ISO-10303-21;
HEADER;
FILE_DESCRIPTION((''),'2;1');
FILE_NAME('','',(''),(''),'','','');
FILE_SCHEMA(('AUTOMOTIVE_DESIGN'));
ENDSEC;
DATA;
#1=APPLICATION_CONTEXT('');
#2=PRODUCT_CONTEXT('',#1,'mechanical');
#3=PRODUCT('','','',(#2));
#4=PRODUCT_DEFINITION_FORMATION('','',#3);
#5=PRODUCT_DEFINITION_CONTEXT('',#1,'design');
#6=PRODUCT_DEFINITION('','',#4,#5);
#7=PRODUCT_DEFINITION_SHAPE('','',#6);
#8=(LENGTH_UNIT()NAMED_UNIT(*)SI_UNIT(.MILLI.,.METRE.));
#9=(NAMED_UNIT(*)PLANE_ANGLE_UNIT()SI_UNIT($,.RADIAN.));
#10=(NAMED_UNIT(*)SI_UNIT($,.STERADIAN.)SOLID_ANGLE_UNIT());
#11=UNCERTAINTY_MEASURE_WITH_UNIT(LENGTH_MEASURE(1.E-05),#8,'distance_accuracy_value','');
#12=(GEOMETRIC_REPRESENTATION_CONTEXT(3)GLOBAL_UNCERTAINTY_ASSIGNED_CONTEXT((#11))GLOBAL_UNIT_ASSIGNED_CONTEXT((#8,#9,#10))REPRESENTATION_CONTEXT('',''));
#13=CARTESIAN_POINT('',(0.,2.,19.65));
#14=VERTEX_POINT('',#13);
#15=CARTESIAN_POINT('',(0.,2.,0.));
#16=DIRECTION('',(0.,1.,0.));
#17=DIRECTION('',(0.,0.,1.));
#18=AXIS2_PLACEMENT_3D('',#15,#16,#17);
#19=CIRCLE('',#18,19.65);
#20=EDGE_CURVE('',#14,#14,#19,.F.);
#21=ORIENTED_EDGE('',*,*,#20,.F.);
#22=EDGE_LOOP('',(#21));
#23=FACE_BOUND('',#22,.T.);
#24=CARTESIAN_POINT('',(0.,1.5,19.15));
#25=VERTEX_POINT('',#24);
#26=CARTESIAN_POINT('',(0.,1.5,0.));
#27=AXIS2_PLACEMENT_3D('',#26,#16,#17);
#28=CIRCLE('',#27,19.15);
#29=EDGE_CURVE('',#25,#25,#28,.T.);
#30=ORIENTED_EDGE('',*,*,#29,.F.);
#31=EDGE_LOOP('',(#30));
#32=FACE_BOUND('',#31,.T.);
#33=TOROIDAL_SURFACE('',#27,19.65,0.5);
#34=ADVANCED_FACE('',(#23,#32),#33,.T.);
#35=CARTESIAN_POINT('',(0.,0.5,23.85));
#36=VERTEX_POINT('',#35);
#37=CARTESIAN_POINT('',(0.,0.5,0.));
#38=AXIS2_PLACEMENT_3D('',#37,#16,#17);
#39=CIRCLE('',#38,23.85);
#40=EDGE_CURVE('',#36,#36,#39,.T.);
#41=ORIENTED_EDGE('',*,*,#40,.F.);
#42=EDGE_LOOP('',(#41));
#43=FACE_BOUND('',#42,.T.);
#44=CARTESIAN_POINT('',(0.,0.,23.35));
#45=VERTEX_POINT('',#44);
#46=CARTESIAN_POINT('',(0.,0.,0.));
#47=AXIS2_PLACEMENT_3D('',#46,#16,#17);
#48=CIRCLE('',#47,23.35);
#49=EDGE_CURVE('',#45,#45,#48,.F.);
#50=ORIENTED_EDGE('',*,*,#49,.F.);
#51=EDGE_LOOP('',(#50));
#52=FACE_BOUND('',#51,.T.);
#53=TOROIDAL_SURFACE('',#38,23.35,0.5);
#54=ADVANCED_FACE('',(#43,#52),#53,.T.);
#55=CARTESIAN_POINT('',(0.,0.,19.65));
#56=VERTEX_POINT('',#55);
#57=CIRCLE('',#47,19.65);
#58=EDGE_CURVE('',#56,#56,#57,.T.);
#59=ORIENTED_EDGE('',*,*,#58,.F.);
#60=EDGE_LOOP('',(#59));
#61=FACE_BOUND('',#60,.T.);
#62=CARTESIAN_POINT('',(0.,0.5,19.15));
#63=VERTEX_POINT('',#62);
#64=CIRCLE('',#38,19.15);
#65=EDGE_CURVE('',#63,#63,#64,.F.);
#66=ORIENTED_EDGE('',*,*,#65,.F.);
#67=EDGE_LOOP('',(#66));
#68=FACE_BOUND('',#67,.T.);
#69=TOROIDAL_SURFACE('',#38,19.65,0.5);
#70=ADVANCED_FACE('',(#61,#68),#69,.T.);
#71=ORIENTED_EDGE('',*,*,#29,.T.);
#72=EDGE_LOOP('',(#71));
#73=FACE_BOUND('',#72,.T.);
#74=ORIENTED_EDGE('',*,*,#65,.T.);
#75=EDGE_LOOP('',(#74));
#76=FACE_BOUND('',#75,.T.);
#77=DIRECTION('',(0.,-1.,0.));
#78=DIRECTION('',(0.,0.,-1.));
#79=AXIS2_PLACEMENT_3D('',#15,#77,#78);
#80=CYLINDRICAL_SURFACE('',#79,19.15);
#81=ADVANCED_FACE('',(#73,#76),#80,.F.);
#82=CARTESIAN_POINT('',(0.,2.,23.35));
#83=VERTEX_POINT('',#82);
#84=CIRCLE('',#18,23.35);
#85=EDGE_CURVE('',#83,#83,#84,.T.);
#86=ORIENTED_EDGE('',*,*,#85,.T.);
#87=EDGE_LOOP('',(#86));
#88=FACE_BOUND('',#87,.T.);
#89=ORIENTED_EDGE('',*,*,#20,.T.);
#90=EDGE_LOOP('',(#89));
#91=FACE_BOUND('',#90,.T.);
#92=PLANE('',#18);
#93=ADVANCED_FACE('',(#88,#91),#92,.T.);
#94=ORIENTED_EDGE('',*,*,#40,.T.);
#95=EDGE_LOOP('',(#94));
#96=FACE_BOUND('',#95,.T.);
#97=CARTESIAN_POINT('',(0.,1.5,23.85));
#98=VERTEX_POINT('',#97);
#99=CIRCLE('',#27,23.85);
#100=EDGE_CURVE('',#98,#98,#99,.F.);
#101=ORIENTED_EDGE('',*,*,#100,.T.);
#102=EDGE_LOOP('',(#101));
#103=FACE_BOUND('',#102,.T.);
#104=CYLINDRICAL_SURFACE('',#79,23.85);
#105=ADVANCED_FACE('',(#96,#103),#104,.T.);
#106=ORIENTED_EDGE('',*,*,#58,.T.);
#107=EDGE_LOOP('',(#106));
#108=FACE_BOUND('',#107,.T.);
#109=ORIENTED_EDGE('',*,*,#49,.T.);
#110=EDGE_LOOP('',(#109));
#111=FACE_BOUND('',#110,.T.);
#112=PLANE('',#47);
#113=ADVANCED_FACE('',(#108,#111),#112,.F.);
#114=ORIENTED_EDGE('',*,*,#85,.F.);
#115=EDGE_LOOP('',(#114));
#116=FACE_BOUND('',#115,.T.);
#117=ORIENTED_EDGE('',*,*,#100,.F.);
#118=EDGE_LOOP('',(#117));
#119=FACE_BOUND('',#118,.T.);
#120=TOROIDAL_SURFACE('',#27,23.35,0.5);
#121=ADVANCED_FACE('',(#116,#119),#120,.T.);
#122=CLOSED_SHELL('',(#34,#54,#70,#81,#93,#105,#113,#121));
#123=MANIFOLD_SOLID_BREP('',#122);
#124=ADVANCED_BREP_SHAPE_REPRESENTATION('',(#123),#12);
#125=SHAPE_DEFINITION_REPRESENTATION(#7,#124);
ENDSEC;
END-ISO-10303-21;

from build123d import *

# Parameters (mm, degrees)
SKETCH1_R           = 23.85
SKETCH1_R_2         = 19.15
BOSS_EXTRUDE1_DEPTH = 2
FILLET1_R           = 0.5


with BuildPart() as part:
    # Sketch1 → Boss-Extrude1 (new body)
    with BuildSketch(Plane(origin=(0, 0, 0), x_dir=(1, 0, 0), z_dir=(0, 1, 0))):
        with Locations(Location((0, 0, 0), (0, 0, 270))):
            Circle(SKETCH1_R)
        with Locations(Location((0, 0, 0), (0, 0, 270))):
            Circle(SKETCH1_R_2, mode=Mode.SUBTRACT)
    extrude(amount=BOSS_EXTRUDE1_DEPTH)

    # Fillet1
    fillet1_edges = [part.edges().sort_by_distance(p)[0] for p in [
        (0, 0, -23.85),
        (0, 2, -23.85),
        (0, 0, -19.15),
        (0, 2, -19.15),
    ]]
    fillet(fillet1_edges, radius=FILLET1_R)


solid = part.part
